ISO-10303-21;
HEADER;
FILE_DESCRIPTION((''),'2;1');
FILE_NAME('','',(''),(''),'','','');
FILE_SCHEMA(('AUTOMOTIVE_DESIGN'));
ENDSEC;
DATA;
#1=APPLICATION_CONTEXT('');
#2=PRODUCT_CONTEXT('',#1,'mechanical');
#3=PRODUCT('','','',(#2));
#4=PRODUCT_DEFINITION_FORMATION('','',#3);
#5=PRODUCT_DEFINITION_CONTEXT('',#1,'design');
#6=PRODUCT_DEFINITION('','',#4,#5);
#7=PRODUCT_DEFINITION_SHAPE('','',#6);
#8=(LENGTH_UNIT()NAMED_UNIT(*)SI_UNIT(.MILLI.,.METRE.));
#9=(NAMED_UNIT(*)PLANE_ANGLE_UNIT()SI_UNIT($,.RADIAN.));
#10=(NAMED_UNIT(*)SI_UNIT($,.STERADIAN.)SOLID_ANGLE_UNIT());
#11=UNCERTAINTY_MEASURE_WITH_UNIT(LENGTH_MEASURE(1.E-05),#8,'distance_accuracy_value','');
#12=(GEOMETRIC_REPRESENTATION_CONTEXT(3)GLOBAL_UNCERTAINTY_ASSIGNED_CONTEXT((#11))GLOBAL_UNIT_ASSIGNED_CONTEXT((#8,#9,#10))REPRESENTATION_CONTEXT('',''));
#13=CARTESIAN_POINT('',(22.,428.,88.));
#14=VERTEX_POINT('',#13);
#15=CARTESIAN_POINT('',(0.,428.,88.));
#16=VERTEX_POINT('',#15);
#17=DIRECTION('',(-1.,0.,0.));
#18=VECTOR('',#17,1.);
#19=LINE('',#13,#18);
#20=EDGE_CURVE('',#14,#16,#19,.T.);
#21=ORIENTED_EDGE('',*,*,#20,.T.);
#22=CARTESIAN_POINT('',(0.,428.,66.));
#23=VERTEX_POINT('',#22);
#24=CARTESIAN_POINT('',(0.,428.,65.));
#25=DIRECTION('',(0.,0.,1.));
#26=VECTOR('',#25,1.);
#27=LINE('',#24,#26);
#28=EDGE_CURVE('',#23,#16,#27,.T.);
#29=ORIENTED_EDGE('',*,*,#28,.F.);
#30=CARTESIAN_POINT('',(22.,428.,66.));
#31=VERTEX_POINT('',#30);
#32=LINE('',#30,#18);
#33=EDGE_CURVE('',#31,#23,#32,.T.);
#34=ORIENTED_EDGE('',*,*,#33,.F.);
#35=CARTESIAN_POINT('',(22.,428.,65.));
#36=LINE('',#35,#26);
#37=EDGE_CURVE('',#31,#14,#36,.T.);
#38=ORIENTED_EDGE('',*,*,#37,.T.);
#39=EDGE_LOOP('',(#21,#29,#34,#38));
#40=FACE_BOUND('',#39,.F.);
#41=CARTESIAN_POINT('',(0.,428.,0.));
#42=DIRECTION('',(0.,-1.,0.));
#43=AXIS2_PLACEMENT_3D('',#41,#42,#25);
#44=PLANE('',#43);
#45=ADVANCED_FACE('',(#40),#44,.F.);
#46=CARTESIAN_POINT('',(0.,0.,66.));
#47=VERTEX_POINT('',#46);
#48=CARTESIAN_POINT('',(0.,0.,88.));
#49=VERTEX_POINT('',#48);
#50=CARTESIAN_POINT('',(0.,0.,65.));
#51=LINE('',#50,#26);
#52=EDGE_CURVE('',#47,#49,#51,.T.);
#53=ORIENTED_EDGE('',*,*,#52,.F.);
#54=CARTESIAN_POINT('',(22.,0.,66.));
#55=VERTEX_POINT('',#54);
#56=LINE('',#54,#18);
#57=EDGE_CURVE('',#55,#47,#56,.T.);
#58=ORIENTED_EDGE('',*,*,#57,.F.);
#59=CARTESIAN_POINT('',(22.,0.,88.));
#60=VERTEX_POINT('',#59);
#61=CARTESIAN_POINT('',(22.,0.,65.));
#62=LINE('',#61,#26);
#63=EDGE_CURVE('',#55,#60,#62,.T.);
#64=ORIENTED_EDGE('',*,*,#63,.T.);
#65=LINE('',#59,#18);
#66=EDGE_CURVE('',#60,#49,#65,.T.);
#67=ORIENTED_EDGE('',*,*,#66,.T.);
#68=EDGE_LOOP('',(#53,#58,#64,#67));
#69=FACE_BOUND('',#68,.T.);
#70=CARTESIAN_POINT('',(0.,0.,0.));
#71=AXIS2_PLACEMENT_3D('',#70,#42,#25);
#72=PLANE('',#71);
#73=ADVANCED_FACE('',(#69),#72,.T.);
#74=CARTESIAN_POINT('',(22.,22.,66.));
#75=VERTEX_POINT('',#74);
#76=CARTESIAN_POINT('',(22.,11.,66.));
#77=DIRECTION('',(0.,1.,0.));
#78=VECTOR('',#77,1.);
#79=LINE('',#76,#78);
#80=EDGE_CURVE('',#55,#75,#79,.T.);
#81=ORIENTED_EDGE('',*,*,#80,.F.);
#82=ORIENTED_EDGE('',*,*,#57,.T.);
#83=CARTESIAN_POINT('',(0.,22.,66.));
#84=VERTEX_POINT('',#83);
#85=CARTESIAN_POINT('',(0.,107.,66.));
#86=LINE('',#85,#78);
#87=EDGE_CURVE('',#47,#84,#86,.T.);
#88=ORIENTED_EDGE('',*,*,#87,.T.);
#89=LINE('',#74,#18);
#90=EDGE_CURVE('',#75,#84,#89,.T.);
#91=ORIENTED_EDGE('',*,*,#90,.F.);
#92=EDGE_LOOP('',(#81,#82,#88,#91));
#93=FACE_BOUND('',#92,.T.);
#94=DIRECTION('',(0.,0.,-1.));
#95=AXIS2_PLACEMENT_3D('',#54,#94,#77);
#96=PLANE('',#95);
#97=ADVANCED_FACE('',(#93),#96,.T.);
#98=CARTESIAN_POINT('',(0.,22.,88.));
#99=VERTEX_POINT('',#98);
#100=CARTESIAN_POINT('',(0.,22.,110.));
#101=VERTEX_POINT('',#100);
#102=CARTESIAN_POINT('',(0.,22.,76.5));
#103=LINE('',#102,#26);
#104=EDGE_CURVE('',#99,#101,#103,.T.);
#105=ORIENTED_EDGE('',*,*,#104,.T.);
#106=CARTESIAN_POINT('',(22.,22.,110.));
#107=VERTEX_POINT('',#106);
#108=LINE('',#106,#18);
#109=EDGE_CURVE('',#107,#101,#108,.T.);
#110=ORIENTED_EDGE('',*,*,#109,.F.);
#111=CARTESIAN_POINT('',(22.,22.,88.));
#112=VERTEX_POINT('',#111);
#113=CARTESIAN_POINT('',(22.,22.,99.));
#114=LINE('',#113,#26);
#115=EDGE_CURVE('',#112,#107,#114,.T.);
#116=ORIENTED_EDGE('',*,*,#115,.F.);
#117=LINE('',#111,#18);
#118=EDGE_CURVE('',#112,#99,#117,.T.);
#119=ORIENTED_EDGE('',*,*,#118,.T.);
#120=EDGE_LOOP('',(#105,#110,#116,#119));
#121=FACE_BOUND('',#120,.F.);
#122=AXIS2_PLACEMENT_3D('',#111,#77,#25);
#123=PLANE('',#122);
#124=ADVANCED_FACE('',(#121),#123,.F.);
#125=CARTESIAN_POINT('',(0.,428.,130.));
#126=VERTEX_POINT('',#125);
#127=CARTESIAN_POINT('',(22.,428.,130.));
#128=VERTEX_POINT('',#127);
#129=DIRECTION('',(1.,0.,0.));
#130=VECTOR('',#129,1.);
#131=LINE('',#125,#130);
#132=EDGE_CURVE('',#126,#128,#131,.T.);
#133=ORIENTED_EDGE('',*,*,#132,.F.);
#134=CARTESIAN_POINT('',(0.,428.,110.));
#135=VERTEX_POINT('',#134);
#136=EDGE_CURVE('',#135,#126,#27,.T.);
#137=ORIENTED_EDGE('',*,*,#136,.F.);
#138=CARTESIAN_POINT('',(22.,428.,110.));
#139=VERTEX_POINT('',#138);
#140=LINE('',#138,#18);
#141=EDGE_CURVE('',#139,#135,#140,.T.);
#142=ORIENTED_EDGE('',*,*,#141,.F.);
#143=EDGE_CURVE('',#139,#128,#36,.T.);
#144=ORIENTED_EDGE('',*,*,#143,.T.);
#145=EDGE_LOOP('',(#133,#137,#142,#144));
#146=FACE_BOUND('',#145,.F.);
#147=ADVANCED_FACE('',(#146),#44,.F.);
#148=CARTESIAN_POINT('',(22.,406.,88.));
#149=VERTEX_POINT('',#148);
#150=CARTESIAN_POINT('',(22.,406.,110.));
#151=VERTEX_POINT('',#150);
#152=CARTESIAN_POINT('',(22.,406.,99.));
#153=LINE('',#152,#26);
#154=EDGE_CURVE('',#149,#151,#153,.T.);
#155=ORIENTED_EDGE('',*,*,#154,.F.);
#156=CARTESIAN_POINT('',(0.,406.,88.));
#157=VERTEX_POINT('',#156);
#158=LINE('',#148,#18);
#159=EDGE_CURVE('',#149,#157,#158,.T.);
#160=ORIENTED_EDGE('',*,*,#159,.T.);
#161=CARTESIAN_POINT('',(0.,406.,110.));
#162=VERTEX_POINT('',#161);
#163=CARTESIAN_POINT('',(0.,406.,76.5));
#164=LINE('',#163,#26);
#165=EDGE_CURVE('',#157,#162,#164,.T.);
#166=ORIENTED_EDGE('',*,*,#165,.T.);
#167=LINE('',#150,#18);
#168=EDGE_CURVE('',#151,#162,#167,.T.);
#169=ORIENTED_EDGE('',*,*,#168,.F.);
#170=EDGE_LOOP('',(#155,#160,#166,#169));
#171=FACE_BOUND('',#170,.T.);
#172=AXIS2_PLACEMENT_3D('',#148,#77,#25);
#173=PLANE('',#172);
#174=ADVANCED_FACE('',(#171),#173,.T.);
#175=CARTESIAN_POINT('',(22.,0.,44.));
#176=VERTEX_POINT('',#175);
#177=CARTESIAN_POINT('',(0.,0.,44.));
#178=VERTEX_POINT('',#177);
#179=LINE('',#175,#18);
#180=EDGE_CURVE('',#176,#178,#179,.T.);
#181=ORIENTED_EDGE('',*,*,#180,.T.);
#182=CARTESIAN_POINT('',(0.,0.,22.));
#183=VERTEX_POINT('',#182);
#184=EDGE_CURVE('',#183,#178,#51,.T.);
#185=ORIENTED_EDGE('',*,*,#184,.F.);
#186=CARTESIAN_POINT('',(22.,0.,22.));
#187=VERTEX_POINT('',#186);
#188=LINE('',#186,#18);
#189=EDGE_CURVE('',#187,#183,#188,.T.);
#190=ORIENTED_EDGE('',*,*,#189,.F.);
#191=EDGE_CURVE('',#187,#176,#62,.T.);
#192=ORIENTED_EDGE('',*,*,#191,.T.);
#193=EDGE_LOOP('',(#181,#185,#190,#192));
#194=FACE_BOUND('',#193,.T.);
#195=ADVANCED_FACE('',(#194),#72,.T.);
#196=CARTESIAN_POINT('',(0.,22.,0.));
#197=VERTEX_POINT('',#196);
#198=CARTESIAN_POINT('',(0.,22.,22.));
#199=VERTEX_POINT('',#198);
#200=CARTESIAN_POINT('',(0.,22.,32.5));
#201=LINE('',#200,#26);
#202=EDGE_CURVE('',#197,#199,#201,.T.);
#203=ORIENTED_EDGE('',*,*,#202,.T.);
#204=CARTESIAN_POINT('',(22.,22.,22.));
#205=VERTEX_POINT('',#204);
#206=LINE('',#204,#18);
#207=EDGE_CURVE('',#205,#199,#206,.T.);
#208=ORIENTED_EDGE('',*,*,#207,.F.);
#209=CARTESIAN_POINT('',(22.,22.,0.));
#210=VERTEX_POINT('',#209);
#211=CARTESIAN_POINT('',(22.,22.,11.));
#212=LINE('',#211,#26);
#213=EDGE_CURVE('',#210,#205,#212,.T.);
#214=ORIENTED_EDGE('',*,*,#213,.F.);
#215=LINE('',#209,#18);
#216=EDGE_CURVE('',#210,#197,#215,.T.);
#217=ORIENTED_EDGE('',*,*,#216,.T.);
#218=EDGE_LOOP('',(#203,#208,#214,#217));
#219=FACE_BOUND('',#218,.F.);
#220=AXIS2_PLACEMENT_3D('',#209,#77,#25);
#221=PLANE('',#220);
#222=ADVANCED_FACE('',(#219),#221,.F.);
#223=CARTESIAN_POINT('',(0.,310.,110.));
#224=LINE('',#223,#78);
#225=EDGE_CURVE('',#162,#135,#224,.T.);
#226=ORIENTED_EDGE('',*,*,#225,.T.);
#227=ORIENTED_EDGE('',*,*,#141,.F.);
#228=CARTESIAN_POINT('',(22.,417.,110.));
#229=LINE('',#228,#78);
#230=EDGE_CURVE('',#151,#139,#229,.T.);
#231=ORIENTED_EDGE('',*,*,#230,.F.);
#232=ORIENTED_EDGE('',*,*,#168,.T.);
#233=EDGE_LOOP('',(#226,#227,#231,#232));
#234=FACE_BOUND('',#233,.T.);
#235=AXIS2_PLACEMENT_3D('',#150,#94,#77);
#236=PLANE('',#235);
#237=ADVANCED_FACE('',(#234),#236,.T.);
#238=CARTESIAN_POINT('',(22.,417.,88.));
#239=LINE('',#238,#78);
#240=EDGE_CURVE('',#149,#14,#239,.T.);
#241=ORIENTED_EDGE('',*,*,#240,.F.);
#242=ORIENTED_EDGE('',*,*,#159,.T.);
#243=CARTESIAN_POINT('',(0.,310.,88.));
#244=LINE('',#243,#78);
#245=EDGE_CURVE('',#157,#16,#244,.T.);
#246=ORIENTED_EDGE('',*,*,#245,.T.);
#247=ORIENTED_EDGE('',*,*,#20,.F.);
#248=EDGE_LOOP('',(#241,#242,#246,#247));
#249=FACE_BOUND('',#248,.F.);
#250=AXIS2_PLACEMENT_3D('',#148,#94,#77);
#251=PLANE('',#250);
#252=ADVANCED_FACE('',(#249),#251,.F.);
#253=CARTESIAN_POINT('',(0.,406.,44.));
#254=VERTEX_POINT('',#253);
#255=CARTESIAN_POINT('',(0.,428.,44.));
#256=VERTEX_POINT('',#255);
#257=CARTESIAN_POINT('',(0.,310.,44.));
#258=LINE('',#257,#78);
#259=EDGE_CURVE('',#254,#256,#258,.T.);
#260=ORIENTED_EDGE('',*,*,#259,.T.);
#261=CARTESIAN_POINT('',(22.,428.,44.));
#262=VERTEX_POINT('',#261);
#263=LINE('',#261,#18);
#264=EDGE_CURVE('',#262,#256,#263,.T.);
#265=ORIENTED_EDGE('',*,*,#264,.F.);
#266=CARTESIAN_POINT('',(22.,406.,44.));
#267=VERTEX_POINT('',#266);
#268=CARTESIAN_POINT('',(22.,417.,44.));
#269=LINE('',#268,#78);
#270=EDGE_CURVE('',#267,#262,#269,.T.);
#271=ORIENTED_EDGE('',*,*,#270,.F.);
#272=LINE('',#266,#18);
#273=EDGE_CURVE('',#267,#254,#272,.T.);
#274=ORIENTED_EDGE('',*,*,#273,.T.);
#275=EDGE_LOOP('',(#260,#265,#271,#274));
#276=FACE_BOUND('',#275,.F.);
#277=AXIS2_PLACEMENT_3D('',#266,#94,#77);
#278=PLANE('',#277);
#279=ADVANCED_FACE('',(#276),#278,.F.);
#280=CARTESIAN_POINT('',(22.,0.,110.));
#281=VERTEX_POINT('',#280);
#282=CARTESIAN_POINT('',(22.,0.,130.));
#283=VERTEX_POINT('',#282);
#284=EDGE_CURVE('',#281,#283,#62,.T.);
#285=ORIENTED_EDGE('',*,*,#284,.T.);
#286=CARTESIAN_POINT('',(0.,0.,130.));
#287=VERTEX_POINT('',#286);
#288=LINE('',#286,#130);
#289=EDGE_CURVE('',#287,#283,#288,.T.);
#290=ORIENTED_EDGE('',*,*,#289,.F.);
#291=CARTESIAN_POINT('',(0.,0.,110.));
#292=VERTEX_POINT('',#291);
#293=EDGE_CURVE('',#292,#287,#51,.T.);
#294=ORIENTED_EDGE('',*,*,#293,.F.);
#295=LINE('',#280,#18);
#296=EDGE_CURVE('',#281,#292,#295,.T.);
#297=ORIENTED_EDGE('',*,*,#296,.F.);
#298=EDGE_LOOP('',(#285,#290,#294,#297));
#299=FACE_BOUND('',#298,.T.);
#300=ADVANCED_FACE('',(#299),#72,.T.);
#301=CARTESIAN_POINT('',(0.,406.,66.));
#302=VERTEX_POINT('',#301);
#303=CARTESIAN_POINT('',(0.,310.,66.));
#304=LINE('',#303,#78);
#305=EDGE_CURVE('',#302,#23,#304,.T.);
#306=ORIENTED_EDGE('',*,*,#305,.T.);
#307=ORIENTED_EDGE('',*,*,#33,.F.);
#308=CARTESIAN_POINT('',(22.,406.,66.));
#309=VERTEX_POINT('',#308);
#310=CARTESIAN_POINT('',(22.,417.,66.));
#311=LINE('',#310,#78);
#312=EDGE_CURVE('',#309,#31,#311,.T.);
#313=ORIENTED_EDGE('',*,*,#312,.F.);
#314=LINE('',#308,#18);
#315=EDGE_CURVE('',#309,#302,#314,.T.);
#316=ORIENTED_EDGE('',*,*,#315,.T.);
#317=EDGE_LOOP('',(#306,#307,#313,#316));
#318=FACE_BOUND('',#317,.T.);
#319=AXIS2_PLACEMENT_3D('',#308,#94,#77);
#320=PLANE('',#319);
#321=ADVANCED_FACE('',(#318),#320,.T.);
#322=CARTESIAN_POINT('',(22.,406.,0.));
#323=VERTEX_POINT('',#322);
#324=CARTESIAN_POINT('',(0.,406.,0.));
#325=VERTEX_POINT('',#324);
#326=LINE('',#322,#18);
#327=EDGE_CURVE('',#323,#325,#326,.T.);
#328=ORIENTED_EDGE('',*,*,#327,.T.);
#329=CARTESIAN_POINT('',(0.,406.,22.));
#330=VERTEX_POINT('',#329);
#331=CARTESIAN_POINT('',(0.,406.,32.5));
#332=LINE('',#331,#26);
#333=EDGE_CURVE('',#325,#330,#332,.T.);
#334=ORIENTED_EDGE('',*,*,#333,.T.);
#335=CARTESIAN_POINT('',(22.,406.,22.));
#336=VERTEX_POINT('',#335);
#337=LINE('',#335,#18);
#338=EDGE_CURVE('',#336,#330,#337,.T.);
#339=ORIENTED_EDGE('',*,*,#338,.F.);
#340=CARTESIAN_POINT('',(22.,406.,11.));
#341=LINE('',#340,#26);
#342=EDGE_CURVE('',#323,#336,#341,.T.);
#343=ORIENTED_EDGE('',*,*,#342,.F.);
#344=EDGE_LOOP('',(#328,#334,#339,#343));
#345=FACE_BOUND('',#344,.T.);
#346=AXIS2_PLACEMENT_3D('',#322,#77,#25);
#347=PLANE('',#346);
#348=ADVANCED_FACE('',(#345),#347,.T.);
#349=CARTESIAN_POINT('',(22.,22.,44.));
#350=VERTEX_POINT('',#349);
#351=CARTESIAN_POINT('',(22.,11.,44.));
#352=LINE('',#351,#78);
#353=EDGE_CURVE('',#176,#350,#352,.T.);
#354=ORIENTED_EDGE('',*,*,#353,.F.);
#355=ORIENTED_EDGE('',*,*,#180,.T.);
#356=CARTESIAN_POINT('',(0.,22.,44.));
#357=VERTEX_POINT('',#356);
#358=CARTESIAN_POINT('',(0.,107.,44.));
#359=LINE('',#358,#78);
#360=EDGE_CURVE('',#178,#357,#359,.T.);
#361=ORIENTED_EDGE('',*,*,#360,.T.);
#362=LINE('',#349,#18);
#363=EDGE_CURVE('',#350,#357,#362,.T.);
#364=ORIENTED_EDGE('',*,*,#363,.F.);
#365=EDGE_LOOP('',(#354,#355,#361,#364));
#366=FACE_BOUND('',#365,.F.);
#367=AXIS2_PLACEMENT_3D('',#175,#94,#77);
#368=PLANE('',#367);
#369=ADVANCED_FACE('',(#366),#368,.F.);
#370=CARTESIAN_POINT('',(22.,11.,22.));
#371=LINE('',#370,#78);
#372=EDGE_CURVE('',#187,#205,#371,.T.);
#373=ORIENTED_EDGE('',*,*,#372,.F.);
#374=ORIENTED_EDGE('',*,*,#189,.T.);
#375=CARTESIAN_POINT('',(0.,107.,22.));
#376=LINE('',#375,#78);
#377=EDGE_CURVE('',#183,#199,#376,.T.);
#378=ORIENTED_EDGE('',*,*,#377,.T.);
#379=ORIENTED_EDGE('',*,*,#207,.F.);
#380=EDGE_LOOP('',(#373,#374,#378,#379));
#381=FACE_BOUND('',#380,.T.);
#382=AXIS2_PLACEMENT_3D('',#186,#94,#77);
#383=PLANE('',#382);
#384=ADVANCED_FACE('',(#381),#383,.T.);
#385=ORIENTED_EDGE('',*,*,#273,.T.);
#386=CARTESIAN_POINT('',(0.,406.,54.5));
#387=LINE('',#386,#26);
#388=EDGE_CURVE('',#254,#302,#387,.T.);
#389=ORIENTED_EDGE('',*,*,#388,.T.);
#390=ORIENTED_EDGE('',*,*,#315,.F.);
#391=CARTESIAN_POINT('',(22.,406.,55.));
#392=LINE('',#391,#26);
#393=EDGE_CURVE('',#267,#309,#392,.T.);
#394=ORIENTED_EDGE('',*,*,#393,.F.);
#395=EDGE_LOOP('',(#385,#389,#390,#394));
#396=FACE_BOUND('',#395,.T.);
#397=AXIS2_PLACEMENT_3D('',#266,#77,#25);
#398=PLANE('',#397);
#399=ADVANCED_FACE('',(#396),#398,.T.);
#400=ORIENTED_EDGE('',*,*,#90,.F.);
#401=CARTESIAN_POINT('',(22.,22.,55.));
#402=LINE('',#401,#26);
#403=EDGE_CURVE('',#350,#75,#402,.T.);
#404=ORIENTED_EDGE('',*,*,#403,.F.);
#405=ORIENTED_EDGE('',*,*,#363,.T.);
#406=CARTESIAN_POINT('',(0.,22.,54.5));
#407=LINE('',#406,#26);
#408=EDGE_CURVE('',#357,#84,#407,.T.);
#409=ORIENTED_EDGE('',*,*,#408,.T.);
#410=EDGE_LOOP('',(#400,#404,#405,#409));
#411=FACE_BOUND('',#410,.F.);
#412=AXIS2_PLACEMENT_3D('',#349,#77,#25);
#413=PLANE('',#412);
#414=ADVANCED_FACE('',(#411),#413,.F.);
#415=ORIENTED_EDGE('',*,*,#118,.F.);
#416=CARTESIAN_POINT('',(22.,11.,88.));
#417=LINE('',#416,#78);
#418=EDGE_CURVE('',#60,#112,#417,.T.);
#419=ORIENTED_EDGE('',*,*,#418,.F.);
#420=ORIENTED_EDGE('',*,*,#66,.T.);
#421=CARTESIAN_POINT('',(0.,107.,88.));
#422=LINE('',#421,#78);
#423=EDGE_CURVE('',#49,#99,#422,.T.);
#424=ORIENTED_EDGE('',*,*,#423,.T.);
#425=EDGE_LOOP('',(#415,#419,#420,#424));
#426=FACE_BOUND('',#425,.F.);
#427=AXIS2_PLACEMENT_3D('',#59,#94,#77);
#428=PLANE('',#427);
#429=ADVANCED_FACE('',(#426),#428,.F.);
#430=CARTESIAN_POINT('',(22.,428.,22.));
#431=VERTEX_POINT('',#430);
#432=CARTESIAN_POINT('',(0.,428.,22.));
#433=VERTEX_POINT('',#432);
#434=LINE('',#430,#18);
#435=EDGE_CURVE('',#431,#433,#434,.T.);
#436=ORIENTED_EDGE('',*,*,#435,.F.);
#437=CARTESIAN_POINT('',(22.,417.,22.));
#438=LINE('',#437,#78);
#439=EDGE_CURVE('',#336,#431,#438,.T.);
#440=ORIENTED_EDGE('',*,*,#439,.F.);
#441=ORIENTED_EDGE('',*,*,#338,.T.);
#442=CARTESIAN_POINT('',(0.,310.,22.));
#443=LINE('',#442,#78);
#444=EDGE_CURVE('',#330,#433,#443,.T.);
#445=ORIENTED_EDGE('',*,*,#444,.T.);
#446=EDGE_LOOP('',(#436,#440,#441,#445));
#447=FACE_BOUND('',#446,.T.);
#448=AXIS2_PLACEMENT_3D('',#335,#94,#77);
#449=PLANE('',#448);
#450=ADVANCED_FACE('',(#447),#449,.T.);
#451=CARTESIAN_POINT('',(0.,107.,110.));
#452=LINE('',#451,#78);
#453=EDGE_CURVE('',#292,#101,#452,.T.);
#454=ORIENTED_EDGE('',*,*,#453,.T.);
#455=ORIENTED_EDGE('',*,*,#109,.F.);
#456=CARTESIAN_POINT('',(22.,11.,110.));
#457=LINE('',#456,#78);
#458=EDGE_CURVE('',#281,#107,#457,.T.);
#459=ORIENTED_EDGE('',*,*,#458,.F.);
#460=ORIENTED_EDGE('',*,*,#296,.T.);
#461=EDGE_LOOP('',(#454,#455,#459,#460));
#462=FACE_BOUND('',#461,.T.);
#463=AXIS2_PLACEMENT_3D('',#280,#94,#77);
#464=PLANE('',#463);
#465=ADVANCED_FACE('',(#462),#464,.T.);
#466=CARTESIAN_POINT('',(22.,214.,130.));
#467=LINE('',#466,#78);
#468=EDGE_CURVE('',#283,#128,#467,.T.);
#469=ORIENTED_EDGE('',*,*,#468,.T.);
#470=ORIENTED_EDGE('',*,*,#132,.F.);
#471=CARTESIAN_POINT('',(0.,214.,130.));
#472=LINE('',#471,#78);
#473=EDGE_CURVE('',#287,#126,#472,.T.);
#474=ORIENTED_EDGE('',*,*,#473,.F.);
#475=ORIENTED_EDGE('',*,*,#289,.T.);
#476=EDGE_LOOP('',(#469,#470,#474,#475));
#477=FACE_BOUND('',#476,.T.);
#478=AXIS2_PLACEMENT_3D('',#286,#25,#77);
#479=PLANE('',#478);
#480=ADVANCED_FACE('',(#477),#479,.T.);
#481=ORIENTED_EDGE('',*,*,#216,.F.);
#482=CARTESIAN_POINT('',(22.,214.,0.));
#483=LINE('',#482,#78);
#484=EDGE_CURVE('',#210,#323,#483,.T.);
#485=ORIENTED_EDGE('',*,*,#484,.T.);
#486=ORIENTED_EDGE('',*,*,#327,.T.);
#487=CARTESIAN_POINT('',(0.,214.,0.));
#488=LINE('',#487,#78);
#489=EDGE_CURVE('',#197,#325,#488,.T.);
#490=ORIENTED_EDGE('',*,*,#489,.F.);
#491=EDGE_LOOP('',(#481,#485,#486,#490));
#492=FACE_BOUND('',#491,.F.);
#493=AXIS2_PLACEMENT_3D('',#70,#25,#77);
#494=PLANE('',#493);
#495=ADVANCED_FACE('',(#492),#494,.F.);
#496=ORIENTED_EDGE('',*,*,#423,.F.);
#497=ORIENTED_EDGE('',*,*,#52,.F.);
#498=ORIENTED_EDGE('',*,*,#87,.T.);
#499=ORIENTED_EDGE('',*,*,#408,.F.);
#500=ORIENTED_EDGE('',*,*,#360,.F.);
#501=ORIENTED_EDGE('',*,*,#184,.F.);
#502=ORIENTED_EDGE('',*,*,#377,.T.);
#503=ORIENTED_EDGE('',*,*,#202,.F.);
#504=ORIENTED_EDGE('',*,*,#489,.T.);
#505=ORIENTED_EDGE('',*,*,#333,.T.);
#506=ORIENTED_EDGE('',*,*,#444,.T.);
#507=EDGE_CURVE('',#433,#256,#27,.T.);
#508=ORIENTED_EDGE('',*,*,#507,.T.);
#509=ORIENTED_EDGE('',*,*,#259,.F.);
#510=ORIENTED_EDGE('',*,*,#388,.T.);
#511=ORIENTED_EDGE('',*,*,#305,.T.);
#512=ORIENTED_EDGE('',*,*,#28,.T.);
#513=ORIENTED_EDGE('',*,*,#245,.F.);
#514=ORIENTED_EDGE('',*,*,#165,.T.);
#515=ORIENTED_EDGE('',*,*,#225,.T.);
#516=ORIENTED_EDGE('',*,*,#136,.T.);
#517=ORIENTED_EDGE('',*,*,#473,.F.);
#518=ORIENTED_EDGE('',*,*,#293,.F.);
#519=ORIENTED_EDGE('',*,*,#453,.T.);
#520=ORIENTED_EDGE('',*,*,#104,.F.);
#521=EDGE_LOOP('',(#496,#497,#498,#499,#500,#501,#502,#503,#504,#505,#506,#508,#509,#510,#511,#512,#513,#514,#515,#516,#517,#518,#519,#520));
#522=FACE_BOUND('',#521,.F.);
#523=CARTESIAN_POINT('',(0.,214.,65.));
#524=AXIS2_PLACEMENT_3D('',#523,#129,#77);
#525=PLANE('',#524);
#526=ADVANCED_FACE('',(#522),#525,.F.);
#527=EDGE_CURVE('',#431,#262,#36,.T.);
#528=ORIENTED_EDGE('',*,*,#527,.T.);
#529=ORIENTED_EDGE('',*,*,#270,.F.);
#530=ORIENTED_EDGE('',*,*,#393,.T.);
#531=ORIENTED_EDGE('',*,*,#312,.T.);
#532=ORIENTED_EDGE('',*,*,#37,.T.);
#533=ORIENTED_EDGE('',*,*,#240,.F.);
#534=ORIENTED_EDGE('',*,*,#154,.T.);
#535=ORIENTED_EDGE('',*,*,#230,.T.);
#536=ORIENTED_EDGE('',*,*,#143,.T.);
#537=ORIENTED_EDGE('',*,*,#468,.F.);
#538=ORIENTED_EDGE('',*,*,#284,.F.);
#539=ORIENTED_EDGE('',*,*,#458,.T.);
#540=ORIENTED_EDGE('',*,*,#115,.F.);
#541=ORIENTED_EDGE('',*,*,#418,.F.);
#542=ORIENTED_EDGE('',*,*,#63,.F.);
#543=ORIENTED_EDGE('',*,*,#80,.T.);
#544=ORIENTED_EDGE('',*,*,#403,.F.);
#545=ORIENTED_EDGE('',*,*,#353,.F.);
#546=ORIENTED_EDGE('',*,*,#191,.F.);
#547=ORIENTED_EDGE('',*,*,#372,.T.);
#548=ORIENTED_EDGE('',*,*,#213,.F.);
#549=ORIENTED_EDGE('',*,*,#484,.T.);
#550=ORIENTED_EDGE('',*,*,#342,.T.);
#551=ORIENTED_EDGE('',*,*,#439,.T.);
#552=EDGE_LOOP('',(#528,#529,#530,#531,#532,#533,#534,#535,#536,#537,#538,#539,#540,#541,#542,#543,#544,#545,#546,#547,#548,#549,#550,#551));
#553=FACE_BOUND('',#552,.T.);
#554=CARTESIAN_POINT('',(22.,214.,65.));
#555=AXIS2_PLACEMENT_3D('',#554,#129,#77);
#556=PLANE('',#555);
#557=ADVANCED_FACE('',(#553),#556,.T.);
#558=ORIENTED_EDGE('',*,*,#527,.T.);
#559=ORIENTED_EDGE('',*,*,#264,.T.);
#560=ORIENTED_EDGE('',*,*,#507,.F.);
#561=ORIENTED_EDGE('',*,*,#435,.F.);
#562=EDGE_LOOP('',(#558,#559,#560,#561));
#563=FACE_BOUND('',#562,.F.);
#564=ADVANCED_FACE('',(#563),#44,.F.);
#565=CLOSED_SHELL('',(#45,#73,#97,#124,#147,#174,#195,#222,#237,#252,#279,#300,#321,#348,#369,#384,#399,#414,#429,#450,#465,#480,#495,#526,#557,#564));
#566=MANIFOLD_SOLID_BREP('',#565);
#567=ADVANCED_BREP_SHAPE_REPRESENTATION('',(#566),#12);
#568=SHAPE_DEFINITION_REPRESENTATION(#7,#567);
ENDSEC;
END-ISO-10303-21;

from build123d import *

# Parameters (mm, degrees)
F0_W     = 428
F0_H     = 130
F1_DEPTH = 22
F2_W     = 22
F2_H     = 22
F3_DEPTH = 25


with BuildPart() as f1:
    # F0 (on Right) → F1 (new body)
    with BuildSketch(Plane.YZ):
        with Locations((214, 65)):
            Rectangle(F0_W, F0_H)
    extrude(amount=F1_DEPTH)

    # F2 (on face) → F3 (cut)
    with BuildSketch(Plane.YZ.offset(22)):
        with Locations((11, 99)):
            Rectangle(F2_W, F2_H)
        with Locations((11, 55)):
            Rectangle(F2_W, F2_H)
        with Locations((11, 11)):
            Rectangle(F2_W, F2_H)
        with Locations((417, 11)):
            Rectangle(F2_W, F2_H)
        with Locations((417, 55)):
            Rectangle(F2_W, F2_H)
        with Locations((417, 99)):
            Rectangle(F2_W, F2_H)
    extrude(amount=-F3_DEPTH, mode=Mode.SUBTRACT)


solid = f1.part
